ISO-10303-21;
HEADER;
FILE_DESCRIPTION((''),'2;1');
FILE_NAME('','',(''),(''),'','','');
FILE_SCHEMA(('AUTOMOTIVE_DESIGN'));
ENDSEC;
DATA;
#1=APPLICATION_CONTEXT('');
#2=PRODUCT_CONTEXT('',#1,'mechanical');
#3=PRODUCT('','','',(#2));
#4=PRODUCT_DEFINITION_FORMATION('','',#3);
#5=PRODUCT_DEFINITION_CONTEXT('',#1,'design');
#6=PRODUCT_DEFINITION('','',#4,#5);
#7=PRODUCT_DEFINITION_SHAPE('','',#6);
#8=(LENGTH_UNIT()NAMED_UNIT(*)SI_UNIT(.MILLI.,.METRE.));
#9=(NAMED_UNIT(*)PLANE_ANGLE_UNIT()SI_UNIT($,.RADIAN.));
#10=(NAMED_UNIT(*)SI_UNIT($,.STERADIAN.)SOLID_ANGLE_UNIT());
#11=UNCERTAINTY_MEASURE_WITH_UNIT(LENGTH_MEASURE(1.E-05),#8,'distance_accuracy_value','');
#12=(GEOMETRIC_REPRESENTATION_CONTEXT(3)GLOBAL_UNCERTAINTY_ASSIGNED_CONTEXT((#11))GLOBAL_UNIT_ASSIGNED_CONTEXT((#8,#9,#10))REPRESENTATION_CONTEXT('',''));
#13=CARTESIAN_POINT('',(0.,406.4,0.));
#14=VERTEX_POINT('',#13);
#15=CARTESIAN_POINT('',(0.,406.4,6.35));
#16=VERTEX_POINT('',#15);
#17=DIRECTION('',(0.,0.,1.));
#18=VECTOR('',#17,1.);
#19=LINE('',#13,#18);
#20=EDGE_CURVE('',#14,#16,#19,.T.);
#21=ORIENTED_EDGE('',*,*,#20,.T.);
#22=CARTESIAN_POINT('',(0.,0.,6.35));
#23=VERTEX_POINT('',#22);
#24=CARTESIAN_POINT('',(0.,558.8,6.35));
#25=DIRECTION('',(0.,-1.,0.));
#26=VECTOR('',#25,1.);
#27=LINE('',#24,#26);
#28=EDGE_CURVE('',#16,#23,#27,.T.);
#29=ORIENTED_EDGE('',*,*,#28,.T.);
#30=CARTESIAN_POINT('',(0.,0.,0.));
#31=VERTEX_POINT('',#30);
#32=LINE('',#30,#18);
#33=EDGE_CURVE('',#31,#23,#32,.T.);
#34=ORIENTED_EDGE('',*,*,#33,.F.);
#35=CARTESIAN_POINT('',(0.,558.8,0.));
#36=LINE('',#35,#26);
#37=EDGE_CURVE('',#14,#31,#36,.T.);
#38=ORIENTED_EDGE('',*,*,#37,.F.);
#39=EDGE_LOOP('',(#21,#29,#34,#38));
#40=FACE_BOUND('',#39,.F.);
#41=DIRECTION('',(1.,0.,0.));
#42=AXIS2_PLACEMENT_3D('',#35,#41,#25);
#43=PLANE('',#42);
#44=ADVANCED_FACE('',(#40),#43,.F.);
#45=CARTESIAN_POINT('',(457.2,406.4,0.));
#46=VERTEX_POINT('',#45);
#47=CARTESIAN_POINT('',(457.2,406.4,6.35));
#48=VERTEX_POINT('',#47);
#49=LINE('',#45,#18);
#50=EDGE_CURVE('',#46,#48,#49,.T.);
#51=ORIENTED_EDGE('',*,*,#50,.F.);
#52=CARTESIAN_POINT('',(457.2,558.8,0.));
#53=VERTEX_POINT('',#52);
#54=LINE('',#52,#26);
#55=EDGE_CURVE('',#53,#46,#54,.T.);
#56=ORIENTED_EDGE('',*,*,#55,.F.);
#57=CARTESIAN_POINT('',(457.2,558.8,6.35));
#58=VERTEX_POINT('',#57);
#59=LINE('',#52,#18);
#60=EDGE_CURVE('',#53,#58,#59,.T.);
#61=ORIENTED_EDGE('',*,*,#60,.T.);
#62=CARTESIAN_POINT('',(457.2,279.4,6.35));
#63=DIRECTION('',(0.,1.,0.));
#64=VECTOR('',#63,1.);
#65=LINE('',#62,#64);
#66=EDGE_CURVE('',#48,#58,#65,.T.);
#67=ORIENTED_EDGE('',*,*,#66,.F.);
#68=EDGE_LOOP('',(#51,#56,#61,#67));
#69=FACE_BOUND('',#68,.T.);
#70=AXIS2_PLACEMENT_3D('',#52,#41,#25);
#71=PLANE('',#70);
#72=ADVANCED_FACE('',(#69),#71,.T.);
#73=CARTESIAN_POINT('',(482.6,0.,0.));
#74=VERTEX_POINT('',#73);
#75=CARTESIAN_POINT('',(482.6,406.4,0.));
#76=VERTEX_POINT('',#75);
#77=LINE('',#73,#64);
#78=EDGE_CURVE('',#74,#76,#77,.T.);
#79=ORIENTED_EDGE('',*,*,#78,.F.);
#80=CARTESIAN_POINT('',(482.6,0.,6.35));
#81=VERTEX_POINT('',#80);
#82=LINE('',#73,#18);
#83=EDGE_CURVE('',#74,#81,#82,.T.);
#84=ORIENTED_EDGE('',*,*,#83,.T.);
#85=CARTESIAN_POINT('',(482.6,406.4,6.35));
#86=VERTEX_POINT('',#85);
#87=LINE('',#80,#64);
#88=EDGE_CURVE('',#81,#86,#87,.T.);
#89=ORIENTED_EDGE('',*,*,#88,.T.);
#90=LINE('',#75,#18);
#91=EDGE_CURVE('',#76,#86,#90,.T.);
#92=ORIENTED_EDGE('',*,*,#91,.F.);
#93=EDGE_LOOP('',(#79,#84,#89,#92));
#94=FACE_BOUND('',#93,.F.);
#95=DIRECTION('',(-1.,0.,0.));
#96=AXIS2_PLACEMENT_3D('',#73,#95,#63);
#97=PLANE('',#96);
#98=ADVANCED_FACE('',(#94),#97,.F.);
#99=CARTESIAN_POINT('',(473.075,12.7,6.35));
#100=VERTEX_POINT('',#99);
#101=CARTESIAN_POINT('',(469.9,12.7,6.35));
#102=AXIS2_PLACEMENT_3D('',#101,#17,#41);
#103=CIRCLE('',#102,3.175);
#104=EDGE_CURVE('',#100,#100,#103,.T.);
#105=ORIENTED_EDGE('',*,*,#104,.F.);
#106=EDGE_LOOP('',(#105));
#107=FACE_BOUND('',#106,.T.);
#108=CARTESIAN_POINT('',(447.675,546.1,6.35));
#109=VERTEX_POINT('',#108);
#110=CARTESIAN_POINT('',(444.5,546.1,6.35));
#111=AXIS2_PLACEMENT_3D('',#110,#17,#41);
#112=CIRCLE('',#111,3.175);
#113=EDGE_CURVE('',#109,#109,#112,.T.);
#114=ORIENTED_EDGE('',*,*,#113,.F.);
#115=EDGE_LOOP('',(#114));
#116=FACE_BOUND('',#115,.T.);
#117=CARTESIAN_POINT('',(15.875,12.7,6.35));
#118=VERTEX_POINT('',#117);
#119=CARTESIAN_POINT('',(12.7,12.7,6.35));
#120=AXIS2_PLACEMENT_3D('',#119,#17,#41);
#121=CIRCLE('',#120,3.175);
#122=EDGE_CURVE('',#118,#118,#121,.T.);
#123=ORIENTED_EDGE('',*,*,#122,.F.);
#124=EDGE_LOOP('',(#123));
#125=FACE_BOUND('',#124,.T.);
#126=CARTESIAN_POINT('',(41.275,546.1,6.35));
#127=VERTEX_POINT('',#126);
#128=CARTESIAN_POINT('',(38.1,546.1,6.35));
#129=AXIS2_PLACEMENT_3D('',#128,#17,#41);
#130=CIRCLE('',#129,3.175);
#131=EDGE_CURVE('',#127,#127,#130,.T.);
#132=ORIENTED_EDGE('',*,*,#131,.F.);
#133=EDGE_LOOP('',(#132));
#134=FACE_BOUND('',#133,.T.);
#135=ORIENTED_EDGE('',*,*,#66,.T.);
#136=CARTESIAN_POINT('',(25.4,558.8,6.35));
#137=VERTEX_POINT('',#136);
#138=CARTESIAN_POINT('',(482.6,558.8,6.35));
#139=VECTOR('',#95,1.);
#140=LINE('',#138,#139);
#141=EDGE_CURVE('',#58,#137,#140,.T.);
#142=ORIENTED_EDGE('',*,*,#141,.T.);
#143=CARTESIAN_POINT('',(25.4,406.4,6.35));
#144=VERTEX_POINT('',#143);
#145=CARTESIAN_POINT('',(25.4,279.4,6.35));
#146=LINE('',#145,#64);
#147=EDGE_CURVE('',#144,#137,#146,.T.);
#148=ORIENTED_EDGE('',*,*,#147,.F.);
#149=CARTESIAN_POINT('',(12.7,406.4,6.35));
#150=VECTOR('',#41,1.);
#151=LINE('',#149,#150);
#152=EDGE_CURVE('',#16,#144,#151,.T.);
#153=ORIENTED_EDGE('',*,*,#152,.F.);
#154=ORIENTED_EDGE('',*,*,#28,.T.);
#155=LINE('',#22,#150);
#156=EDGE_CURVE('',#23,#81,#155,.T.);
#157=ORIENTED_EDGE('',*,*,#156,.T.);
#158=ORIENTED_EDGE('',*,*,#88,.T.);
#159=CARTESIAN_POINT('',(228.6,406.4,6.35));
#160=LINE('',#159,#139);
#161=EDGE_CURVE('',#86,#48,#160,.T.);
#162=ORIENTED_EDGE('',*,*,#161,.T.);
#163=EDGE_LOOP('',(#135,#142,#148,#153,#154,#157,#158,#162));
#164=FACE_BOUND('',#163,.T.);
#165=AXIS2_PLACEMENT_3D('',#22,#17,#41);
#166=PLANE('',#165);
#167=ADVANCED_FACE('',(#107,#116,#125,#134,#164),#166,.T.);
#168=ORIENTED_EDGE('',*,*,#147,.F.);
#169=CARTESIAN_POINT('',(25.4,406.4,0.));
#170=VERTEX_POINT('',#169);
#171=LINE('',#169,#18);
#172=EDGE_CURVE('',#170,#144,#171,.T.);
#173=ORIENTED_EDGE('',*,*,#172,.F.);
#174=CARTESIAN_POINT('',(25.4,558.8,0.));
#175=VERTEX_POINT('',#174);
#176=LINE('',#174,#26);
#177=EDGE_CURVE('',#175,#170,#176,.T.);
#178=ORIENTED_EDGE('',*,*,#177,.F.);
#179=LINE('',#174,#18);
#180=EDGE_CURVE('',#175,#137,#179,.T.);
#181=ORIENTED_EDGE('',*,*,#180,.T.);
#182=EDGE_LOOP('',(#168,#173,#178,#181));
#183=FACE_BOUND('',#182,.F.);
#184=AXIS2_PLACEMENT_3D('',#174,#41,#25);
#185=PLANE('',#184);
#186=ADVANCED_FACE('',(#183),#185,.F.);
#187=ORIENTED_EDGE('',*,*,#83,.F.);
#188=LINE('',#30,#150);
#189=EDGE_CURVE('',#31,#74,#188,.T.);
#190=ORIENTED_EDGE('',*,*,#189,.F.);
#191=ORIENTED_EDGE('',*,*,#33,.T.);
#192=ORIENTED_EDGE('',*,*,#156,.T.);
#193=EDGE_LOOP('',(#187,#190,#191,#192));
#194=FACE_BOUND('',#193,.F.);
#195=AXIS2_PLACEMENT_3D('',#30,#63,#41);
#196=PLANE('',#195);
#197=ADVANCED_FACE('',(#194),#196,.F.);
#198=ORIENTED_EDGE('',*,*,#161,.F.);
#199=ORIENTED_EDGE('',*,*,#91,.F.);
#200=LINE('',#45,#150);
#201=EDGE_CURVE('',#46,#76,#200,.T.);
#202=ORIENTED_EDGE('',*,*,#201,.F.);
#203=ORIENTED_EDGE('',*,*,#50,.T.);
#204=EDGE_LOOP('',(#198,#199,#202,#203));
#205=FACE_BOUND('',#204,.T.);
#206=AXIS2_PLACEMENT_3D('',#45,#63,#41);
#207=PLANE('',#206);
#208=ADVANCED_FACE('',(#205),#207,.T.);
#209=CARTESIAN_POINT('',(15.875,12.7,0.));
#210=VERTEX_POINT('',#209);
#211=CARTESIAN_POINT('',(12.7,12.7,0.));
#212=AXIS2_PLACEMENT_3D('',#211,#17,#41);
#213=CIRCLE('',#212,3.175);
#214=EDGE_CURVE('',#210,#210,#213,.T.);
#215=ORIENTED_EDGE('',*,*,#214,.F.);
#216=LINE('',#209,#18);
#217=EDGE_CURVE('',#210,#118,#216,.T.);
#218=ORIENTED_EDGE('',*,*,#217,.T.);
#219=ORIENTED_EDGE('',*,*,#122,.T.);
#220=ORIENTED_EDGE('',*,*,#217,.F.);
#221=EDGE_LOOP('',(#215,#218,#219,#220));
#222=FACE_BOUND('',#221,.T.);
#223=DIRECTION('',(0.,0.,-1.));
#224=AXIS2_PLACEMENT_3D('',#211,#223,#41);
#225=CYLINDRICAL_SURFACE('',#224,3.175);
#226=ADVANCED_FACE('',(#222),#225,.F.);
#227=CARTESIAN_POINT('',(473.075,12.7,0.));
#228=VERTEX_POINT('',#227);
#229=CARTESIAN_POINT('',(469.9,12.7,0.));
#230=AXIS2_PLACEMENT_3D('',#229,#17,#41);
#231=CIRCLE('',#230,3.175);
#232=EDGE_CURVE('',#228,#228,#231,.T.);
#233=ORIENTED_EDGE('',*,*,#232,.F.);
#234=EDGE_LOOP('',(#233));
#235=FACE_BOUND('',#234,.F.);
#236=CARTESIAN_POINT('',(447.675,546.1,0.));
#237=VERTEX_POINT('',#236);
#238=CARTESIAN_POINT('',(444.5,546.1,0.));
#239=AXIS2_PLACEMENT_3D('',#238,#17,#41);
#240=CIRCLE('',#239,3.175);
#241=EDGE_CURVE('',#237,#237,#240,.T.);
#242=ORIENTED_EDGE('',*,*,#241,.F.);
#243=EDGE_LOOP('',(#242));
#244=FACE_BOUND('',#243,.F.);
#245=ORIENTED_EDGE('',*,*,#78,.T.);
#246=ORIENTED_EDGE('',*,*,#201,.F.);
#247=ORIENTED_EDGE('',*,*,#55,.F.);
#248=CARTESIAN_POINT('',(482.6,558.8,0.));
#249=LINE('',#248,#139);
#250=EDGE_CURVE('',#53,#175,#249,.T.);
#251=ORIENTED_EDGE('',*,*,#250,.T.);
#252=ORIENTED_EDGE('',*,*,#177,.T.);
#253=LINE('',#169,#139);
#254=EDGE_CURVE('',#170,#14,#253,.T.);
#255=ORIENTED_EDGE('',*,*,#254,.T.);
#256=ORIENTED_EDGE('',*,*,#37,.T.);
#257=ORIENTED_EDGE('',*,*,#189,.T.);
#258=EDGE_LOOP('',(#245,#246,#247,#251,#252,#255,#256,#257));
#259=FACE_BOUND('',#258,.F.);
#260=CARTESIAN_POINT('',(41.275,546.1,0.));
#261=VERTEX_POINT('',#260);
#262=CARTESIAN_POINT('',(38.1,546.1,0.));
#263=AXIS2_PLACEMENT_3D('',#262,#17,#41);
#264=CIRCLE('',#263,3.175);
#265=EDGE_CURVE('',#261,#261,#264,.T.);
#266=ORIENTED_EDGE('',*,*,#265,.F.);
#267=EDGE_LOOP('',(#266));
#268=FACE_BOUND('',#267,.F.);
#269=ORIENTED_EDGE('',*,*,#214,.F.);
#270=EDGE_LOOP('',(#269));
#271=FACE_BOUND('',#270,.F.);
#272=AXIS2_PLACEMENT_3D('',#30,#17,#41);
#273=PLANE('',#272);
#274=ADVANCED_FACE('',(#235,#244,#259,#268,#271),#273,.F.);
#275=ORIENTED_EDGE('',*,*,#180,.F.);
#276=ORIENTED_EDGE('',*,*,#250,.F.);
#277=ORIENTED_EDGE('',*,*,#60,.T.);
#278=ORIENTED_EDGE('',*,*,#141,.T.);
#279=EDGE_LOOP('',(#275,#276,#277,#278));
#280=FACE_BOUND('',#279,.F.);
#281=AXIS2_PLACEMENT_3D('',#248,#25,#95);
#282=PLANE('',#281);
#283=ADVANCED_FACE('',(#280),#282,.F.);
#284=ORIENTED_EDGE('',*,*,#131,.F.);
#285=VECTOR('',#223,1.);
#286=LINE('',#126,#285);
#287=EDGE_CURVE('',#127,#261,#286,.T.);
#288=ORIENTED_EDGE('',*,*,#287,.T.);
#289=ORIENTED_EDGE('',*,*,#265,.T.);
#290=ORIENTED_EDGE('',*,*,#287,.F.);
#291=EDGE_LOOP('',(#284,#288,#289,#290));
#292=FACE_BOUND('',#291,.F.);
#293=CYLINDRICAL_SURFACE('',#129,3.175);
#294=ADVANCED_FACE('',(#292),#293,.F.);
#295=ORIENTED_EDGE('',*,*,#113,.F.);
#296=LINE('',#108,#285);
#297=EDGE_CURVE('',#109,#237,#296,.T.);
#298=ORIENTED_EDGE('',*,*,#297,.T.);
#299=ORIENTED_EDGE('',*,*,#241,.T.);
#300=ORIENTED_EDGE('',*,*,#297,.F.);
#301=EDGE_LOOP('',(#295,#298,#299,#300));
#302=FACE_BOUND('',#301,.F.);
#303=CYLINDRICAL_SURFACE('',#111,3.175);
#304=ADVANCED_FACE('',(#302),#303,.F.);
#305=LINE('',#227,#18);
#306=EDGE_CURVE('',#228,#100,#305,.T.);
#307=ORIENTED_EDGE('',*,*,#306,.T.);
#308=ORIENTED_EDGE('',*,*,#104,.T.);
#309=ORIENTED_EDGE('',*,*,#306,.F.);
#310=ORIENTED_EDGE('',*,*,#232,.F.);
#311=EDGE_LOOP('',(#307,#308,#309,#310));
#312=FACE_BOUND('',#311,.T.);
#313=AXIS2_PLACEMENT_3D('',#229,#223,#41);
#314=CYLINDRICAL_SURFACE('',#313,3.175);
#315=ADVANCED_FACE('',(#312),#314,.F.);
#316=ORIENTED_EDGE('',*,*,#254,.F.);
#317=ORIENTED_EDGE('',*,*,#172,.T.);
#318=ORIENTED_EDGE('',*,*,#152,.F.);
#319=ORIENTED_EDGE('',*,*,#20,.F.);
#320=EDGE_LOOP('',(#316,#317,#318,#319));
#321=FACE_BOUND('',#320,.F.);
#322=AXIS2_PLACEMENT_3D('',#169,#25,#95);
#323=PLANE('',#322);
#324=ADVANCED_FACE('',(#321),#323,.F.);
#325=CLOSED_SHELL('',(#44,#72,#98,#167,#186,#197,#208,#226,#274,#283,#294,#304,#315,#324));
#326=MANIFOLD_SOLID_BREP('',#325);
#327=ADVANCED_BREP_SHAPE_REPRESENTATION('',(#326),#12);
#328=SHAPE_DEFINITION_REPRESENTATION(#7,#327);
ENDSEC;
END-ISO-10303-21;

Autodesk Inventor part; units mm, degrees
ref_plane "YZ Plane" through (0, 0, 0) normal (1, 0, 0) x (0, 1, 0)
ref_plane "XZ Plane" through (0, 0, 0) normal (0, 1, 0) x (-1, 0, 0)
ref_plane "XY Plane" through (0, 0, 0) normal (0, 0, 1) x (1, 0, 0)
sketch "Sketch1" plane through (0, 0, 0) normal (0, 0, 1) x (1, 0, 0)
  line L0 (0, 0) -> (482.6, 0)
  line L1 (482.6, 0) -> (482.6, 558.8)
  line L2 (482.6, 558.8) -> (0, 558.8)
  line L3 (0, 558.8) -> (0, 0)
  circle A0 centre (12.7, 12.7) radius 3.175
  circle A1 centre (469.9, 12.7) radius 3.175
  dimension "d0" = 558.8
  dimension "d1" = 482.6
  dimension "d2" = 6.35
  dimension "d3" = 6.35
  dimension "d4" = 12.7
  dimension "d5" = 12.7
  dimension "d7" = 12.7
  dimension "d8" = 12.7
extrude "Extrusion1" add sketch "Sketch1" along normal blind 6.35
sketch "Sketch2" plane through (0, 0, 0) normal (0, 0, -1) x (-1, 0, 0)
  line L0 (0, 558.8) -> (0, 0) projected
  line L1 (-482.6, 558.8) -> (0, 558.8) projected
  line L2 (-482.6, 0) -> (-482.6, 558.8) projected
  line L3 (-482.6, 558.8) -> (-457.2, 558.8)
  line L4 (-457.2, 558.8) -> (-457.2, 406.4)
  line L5 (-457.2, 406.4) -> (-482.6, 406.4)
  line L6 (-482.6, 406.4) -> (-482.6, 558.8)
  line L7 (0, 558.8) -> (-25.4, 558.8)
  line L8 (-25.4, 558.8) -> (-25.4, 406.4)
  line L9 (-25.4, 406.4) -> (0, 406.4)
  line L10 (0, 406.4) -> (0, 558.8)
  dimension "d13" = 25.4
  dimension "d16" = 152.4
extrude "Extrusion2" cut sketch "Sketch2" against normal through all
sketch "Sketch3" plane through (0, 0, 6.35) normal (0, 0, 1) x (1, 0, 0)
  line L0 (457.2, 406.4) -> (457.2, 558.8) projected
  line L1 (25.4, 558.8) -> (457.2, 558.8) projected
  line L2 (25.4, 558.8) -> (25.4, 406.4) projected
  circle A0 centre (38.1, 546.1) radius 3.175
  circle A1 centre (444.5, 546.1) radius 3.175
  dimension "d17" = 6.35
  dimension "d18" = 6.35
  dimension "d19" = 12.7
  dimension "d20" = 12.7
  dimension "d21" = 12.7
  dimension "d22" = 12.7
extrude "Extrusion3" cut sketch "Sketch3" against normal through all
properties part number "ElectronicsBoard" material "Wood (Birch)"
